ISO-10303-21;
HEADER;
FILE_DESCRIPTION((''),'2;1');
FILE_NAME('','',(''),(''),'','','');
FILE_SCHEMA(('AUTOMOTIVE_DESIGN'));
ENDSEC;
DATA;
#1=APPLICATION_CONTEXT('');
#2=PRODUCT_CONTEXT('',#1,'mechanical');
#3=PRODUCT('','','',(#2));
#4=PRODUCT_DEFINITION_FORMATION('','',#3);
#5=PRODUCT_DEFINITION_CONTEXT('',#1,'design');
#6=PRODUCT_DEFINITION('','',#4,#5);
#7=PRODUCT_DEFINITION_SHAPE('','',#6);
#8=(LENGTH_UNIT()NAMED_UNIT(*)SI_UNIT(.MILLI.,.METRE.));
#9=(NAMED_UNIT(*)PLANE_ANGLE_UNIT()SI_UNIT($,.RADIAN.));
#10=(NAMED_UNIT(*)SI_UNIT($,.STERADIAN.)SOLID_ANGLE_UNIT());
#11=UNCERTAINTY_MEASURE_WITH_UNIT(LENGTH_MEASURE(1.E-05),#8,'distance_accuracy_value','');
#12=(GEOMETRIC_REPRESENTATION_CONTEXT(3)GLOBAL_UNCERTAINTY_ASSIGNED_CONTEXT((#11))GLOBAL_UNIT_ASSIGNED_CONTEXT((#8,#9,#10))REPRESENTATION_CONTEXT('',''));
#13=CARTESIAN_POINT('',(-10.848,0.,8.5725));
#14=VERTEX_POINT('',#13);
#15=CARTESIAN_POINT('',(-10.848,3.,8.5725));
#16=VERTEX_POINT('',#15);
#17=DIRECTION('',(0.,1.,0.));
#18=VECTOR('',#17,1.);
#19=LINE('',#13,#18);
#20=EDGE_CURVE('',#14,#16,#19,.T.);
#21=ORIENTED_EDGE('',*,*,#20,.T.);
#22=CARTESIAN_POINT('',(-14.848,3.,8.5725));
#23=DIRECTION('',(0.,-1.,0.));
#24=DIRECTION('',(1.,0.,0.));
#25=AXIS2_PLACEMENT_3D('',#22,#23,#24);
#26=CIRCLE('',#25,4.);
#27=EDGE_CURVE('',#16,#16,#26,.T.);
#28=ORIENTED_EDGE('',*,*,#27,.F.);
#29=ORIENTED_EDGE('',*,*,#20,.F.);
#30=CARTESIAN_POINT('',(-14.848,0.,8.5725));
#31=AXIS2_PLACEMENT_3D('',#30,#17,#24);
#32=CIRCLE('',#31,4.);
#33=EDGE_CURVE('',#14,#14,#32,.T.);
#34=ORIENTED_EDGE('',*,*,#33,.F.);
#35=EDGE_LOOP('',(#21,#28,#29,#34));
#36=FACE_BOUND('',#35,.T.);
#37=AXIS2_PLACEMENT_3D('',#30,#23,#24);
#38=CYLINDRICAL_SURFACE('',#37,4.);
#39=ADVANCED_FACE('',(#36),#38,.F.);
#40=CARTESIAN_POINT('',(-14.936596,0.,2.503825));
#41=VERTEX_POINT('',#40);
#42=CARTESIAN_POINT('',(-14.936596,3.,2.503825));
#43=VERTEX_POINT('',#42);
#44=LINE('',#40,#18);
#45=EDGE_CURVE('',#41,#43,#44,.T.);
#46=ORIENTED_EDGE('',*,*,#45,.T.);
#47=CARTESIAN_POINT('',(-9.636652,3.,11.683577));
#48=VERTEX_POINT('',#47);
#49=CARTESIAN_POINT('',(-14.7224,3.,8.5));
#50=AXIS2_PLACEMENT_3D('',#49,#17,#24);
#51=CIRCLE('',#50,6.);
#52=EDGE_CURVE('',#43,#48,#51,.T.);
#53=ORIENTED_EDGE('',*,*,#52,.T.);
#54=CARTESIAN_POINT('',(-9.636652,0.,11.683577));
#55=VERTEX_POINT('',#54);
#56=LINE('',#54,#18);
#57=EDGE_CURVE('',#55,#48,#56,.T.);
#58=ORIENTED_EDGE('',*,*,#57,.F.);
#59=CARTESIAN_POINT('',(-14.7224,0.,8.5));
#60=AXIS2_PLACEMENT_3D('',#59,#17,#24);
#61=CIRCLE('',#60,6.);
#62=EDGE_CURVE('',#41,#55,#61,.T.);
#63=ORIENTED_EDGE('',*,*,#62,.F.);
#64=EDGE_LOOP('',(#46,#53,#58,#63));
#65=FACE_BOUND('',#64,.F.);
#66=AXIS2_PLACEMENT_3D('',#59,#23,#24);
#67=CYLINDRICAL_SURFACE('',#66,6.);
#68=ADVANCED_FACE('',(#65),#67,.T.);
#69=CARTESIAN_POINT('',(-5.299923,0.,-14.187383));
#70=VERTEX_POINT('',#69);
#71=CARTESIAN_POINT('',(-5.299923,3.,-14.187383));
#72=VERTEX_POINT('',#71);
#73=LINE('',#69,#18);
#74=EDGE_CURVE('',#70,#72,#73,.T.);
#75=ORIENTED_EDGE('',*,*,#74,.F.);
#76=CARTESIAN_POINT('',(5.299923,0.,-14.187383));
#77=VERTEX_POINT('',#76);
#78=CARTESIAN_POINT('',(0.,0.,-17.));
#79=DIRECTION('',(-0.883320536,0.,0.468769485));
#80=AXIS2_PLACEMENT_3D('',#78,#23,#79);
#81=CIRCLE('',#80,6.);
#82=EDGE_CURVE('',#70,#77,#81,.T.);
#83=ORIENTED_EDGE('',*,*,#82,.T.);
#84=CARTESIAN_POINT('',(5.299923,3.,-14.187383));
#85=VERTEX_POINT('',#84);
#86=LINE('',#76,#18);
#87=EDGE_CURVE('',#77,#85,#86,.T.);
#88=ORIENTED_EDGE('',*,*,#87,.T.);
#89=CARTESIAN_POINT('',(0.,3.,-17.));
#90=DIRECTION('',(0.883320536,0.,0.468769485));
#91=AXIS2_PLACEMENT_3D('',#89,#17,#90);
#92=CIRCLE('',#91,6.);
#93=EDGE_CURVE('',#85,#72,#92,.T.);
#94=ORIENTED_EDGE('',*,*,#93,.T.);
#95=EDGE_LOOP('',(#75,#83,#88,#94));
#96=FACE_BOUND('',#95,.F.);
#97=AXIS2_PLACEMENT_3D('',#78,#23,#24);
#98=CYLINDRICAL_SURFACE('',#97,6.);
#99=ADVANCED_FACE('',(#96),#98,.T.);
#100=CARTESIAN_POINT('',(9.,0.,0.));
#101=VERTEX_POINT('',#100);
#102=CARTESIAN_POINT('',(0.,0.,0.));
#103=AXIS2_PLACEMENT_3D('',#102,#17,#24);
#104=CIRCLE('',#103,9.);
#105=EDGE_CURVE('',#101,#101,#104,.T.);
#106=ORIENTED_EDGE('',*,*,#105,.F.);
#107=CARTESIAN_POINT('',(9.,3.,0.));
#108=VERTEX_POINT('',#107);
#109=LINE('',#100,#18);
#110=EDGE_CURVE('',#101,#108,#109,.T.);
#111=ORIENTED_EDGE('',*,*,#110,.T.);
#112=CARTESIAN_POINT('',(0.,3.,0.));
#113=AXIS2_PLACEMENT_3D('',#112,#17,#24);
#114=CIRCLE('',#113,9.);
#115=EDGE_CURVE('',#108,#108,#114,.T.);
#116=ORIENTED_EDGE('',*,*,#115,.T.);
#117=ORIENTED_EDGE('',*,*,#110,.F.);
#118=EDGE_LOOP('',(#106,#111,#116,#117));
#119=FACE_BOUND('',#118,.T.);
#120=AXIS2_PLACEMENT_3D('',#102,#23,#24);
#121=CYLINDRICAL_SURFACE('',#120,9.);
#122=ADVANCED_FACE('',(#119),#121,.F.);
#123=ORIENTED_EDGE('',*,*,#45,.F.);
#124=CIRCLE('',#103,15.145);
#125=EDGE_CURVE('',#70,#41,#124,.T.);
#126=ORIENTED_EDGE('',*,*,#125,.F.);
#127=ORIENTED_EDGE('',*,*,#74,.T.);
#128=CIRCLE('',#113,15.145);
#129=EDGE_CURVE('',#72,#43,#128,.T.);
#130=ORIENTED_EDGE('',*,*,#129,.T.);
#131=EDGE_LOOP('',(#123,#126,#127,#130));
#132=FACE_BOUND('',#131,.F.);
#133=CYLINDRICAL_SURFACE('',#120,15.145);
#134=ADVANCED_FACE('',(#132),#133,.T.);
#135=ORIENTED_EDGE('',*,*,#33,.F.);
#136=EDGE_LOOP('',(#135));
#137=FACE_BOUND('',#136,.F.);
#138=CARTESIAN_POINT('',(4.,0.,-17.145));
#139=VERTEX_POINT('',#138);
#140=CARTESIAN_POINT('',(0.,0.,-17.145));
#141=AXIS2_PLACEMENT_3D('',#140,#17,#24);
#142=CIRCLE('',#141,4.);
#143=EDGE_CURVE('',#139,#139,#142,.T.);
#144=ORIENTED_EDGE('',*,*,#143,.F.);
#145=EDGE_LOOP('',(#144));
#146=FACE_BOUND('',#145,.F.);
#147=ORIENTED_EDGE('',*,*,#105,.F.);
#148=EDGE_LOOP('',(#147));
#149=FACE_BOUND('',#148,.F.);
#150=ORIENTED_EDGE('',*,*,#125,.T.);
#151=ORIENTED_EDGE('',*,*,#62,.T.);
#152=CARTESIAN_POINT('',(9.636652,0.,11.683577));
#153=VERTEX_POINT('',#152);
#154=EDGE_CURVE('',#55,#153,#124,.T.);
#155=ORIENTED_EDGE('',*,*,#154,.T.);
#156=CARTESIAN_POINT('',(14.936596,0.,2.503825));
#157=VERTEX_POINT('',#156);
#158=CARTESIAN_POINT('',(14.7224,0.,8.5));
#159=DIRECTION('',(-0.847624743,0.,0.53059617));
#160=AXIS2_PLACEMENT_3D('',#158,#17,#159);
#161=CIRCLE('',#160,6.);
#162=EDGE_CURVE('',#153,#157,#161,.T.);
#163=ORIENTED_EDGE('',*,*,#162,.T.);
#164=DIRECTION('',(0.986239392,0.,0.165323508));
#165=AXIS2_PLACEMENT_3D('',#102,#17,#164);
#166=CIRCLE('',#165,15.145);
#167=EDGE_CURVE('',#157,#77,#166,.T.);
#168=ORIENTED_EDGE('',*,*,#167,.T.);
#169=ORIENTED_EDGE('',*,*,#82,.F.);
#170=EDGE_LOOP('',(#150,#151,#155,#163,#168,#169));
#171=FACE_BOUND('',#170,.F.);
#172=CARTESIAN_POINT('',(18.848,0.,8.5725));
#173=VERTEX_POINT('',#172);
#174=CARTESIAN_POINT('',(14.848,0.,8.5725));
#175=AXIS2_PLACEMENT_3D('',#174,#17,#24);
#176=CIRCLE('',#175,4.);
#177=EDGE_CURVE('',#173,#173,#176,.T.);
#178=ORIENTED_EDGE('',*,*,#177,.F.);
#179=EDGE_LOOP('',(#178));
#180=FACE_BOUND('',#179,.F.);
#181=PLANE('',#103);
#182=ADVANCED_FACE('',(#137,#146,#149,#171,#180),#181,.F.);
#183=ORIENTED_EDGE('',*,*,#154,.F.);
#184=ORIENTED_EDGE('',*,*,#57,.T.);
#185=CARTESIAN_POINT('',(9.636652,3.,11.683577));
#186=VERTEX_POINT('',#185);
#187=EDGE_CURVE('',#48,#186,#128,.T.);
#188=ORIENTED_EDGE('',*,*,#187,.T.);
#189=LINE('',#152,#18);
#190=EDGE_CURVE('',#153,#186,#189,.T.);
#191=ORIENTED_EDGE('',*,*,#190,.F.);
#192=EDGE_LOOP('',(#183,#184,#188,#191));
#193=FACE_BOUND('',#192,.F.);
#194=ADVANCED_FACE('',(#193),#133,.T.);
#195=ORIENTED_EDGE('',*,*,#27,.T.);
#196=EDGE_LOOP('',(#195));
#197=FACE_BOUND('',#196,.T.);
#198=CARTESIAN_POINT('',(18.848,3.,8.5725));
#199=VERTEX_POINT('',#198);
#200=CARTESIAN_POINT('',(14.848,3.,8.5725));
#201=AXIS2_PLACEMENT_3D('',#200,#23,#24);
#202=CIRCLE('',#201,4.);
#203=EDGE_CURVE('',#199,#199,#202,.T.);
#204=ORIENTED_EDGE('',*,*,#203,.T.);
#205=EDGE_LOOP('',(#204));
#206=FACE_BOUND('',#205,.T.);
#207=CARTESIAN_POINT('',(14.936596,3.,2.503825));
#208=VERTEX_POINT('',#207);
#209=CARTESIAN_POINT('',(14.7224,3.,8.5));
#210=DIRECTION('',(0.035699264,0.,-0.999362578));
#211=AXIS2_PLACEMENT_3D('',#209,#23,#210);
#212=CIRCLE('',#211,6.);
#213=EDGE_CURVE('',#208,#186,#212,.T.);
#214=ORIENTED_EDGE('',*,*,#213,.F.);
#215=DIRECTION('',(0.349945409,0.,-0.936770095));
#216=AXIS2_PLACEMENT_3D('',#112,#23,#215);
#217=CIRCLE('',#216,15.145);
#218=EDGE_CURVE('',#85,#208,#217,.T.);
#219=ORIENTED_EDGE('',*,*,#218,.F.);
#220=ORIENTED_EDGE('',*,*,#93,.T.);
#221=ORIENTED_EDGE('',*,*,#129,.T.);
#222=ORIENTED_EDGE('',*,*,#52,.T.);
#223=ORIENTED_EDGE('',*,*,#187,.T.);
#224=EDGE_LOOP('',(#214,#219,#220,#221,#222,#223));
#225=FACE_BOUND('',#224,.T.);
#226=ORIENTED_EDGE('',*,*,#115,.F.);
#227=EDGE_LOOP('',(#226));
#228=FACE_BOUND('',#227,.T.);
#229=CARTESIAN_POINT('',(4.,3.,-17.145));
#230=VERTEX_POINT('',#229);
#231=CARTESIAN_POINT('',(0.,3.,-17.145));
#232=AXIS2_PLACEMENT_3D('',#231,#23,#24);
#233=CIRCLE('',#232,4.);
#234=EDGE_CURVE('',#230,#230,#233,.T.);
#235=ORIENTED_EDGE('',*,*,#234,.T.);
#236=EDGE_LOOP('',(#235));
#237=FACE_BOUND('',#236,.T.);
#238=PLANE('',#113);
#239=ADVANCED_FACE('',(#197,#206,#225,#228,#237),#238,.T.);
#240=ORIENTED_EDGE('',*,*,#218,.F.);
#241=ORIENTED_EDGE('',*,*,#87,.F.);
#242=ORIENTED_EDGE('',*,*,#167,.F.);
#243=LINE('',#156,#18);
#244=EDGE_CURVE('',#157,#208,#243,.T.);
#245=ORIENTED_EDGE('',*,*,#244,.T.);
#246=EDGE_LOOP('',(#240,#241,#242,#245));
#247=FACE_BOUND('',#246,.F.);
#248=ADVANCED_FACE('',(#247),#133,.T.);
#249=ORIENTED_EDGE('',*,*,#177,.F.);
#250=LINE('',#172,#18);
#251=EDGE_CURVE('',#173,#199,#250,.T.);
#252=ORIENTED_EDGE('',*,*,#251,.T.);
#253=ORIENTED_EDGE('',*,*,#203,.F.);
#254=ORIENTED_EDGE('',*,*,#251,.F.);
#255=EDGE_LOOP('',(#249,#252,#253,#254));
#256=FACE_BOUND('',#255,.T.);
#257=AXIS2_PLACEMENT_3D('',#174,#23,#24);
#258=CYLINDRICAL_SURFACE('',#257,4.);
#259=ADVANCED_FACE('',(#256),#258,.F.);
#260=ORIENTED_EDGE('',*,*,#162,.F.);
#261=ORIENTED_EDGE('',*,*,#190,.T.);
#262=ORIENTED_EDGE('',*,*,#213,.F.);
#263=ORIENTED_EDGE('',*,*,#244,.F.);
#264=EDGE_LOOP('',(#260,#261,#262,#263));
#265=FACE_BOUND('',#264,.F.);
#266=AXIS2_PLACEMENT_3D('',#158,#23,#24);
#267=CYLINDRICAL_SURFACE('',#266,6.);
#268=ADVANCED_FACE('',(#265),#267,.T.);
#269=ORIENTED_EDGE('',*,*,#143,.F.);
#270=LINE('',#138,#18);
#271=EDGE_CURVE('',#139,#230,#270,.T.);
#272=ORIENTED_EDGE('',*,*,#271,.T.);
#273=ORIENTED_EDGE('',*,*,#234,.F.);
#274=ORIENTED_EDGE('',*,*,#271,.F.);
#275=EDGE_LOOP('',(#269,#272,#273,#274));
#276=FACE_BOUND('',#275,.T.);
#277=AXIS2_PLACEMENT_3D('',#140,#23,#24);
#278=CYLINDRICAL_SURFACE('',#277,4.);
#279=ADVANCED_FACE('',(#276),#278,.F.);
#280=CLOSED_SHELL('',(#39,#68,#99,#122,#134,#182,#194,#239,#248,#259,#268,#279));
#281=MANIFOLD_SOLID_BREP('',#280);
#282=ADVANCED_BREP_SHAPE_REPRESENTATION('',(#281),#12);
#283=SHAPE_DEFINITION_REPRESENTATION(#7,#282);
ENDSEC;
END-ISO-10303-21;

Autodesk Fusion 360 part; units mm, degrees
sketch "Sketch1" plane through (0, 0, 0) normal (0, 1, 0) x (1, 0, 0)
  circle A0 centre (0, 0) radius 15.145
  circle A1 centre (0, 17.145) radius 4
  circle A2 centre (-14.848, -8.5725) radius 4
  circle A3 centre (14.848, -8.5725) radius 4
  circle A4 centre (0, 0) radius 9
  circle A5 centre (0, 17) radius 6
  circle A6 centre (-14.7224, -8.5) radius 6
  circle A7 centre (14.7224, -8.5) radius 6
  dimension "d3" = 30.29
  dimension "d4" = 8
  dimension "d7" = 18
  dimension "d9" = 360
extrude "Extrude1" add sketch "Sketch1" along normal blind 3 contours A0 A5 A6 A7 | A0 A1 A5 | A0 A1 A5 | A0 A3 A7 | A0 A3 A7 | A0 A2 A6 | A0 A2 A6
